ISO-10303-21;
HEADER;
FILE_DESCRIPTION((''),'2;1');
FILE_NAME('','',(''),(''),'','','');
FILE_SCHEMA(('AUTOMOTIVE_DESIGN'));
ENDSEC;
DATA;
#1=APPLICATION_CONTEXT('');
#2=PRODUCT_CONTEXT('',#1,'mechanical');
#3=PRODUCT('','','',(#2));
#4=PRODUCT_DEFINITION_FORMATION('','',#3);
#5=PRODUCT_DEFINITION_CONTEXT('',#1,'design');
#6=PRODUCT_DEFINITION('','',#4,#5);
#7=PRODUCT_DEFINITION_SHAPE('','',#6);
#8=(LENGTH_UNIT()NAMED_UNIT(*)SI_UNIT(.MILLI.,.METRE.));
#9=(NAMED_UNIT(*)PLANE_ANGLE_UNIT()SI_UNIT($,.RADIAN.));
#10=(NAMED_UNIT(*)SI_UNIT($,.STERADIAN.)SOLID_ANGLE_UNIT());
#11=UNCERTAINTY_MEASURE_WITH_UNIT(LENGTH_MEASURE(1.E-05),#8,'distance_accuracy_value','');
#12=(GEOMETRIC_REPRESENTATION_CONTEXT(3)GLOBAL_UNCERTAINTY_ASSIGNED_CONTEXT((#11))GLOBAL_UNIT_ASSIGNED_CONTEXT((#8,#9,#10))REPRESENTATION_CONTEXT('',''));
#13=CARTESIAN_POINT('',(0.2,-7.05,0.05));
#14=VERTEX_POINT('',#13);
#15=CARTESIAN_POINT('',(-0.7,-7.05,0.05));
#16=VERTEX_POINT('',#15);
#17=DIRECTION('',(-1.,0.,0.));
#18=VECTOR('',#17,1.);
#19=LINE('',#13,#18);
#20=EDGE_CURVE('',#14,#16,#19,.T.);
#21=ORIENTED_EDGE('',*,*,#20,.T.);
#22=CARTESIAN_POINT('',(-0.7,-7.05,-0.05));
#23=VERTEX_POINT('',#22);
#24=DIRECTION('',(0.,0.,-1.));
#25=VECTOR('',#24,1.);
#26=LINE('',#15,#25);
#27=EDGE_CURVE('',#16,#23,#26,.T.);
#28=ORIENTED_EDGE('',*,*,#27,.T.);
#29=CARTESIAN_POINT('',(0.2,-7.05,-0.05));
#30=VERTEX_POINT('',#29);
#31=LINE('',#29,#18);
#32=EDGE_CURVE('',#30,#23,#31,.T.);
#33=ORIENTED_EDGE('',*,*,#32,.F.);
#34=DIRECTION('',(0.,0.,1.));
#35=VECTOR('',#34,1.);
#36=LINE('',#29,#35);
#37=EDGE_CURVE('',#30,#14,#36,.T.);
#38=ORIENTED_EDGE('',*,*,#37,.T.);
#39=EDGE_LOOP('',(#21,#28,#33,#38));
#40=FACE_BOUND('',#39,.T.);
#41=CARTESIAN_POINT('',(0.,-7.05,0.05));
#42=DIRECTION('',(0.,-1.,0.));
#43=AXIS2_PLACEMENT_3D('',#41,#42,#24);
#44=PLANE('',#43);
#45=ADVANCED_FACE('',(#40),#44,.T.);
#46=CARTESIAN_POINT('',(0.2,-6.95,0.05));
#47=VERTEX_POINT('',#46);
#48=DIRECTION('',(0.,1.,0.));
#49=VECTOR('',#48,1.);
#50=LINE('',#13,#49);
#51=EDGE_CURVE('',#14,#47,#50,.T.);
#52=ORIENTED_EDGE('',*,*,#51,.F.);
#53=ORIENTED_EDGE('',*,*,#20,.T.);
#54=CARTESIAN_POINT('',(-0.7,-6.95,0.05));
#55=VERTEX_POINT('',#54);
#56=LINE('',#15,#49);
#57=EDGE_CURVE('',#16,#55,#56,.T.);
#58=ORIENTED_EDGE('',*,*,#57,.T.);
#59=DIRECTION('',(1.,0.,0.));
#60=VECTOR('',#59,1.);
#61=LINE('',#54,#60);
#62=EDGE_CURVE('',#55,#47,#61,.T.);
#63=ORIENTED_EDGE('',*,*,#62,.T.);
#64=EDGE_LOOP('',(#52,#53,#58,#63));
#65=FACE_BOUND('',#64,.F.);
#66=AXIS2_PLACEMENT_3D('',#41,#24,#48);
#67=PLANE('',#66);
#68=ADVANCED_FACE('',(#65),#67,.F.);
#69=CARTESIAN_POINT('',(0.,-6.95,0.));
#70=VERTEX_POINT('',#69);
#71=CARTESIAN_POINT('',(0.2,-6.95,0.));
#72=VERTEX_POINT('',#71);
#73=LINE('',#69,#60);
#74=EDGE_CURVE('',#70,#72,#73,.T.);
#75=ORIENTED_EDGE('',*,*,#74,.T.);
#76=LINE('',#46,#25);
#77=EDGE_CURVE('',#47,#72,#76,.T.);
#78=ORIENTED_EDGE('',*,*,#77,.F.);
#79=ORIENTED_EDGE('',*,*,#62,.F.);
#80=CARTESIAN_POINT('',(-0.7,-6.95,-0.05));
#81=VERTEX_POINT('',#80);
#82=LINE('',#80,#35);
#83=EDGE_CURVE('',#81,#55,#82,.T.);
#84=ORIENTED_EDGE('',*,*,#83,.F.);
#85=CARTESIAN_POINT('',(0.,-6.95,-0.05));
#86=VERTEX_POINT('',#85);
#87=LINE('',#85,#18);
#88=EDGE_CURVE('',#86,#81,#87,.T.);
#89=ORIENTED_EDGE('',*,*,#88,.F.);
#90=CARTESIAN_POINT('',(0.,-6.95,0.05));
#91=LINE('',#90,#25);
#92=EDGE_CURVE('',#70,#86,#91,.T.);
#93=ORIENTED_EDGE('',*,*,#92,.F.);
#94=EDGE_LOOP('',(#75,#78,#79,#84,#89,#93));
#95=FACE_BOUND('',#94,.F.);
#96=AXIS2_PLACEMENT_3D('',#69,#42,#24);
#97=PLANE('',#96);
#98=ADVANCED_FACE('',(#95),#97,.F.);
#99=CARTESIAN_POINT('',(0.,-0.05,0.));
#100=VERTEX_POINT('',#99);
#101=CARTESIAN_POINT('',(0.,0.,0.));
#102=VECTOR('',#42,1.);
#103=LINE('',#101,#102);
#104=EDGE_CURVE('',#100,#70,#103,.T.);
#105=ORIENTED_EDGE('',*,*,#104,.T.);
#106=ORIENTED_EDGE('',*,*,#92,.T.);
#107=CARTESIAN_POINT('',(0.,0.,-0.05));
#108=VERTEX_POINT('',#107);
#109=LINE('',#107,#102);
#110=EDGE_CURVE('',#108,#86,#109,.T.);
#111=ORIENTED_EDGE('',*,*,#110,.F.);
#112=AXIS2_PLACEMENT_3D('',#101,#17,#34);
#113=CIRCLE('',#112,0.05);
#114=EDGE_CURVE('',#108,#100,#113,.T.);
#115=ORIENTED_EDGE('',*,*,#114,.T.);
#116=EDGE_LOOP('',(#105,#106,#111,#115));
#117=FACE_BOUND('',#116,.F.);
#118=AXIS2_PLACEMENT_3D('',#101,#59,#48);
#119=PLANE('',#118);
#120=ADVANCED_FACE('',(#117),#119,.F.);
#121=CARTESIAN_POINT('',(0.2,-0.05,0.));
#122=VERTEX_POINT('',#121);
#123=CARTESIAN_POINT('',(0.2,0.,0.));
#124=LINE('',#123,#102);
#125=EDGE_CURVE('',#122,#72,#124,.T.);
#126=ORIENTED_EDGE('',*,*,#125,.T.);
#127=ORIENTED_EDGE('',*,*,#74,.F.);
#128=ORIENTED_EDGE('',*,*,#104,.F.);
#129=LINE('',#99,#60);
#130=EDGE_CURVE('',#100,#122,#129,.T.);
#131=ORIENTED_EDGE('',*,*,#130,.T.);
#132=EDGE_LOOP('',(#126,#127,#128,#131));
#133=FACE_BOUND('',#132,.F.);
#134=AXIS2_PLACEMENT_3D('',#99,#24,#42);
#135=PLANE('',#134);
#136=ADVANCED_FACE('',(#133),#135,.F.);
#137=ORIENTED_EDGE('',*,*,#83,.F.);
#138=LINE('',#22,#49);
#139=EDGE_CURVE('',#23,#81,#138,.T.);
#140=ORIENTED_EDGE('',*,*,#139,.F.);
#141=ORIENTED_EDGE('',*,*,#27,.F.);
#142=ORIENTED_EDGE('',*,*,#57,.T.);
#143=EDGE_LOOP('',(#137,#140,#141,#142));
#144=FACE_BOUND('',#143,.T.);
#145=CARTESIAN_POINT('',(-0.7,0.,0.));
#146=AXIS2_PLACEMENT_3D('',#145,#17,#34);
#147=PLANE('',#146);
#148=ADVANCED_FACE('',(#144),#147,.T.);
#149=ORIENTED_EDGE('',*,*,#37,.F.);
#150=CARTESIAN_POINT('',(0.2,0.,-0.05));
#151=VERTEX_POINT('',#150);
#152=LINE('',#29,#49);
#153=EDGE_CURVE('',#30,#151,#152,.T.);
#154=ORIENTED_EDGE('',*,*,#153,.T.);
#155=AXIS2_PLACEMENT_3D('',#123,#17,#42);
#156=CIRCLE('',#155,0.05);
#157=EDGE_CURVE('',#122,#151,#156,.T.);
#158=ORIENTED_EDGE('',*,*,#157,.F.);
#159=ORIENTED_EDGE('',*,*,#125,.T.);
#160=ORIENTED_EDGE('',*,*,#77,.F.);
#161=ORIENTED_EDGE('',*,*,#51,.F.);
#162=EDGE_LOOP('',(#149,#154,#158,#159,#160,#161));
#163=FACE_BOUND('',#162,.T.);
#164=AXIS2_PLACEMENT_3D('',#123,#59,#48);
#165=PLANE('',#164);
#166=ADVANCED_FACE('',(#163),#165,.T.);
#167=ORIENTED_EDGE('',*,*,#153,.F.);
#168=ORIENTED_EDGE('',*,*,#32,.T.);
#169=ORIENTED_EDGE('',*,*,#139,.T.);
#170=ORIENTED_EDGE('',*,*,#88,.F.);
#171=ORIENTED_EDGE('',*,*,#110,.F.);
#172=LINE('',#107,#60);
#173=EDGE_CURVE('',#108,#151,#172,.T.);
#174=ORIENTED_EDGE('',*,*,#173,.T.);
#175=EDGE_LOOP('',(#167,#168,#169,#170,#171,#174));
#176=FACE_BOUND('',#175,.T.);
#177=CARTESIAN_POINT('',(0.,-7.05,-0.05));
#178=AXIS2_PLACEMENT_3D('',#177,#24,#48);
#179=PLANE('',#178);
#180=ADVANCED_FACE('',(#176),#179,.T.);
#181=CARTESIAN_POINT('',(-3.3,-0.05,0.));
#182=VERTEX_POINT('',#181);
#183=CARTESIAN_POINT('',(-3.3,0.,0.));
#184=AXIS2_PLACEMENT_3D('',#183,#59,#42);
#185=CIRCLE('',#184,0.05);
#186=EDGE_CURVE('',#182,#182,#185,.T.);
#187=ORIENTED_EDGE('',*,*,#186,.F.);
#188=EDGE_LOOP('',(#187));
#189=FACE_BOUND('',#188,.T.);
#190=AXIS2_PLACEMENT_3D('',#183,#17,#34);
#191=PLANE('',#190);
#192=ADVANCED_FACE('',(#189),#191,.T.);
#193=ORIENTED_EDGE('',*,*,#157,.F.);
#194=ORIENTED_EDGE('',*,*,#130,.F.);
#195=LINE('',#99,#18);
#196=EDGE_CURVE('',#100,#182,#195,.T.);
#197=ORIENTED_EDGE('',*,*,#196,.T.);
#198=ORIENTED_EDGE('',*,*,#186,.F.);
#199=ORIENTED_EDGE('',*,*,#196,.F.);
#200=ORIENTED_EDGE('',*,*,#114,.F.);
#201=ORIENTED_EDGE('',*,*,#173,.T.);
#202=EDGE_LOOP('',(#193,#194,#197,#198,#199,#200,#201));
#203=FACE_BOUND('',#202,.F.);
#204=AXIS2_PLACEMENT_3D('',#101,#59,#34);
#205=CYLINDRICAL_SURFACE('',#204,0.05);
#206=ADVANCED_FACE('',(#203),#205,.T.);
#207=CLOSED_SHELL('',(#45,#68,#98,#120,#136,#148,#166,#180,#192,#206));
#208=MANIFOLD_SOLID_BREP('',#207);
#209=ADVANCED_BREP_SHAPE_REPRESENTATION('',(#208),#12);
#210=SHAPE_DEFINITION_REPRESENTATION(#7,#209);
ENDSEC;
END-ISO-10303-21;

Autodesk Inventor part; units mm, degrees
ref_plane "YZ Plane" through (0, 0, 0) normal (1, 0, 0) x (0, 1, 0)
ref_plane "XZ Plane" through (0, 0, 0) normal (0, 1, 0) x (-1, 0, 0)
ref_plane "XY Plane" through (0, 0, 0) normal (0, 0, 1) x (1, 0, 0)
sketch "Sketch1" plane through (0, 0, 0) normal (1, 0, 0) x (0, 1, 0)
  circle A0 centre (0, 0) radius 0.05
  line L0 (0, 0) -> (-7, 0)
  line L1 (-7.05, 0.05) -> (-6.95, 0.05)
  line L2 (-6.95, 0.05) -> (-6.95, -0.05)
  line L3 (-6.95, -0.05) -> (-7.05, -0.05)
  line L4 (-7.05, -0.05) -> (-7.05, 0.05)
  line L5 (-7.05, 0.05) -> (-6.95, -0.05) construction
  line L6 (-6.95, 0.05) -> (-7.05, -0.05) construction
  line L7 (-6.95, -0.05) -> (0, -0.05)
  point P0 (-0.05, 0)
  point P1 (-6.95, 0)
  dimension "d0" = 0.1
  dimension "d1" = 7
  dimension "d2" = 0.1
  dimension "d3" = 0.1
extrude "Extrusion1" add sketch "Sketch1" along normal blind 0.2
sketch "Sketch2" plane through (0, 0, 0) normal (-1, 0, 0) x (0, 0, 1)
  arc A0 (0, -0.05) -> (-0.05, 0) centre (0, 0) ccw projected
  circle A1 centre (0, 0) radius 0.05
  point P0 (-0.05, 0)
  point P1 (0, -0.05)
  dimension "d6" = 0.1
extrude "Extrusion2" add sketch "Sketch2" along normal blind 3.3
sketch "Sketch3" plane through (0, 0, 0) normal (-1, 0, 0) x (0, 0, 1)
  line L0 (-0.05, -7.05) -> (-0.05, 0) projected
  line L1 (0.05, -7.05) -> (-0.05, -7.05) projected
  line L2 (-0.05, -7.05) -> (0.05, -7.05)
  line L3 (0, -6.95) -> (0.05, -6.95) projected
  line L4 (0.05, -7.05) -> (0.05, -6.95)
  line L5 (0.05, -6.95) -> (-0.05, -6.95)
  line L6 (-0.05, -6.95) -> (-0.05, -7.05)
  point P0 (0, 0)
extrude "Extrusion3" add sketch "Sketch3" along normal blind 0.7
properties part number "Bone25_13_Fix"
